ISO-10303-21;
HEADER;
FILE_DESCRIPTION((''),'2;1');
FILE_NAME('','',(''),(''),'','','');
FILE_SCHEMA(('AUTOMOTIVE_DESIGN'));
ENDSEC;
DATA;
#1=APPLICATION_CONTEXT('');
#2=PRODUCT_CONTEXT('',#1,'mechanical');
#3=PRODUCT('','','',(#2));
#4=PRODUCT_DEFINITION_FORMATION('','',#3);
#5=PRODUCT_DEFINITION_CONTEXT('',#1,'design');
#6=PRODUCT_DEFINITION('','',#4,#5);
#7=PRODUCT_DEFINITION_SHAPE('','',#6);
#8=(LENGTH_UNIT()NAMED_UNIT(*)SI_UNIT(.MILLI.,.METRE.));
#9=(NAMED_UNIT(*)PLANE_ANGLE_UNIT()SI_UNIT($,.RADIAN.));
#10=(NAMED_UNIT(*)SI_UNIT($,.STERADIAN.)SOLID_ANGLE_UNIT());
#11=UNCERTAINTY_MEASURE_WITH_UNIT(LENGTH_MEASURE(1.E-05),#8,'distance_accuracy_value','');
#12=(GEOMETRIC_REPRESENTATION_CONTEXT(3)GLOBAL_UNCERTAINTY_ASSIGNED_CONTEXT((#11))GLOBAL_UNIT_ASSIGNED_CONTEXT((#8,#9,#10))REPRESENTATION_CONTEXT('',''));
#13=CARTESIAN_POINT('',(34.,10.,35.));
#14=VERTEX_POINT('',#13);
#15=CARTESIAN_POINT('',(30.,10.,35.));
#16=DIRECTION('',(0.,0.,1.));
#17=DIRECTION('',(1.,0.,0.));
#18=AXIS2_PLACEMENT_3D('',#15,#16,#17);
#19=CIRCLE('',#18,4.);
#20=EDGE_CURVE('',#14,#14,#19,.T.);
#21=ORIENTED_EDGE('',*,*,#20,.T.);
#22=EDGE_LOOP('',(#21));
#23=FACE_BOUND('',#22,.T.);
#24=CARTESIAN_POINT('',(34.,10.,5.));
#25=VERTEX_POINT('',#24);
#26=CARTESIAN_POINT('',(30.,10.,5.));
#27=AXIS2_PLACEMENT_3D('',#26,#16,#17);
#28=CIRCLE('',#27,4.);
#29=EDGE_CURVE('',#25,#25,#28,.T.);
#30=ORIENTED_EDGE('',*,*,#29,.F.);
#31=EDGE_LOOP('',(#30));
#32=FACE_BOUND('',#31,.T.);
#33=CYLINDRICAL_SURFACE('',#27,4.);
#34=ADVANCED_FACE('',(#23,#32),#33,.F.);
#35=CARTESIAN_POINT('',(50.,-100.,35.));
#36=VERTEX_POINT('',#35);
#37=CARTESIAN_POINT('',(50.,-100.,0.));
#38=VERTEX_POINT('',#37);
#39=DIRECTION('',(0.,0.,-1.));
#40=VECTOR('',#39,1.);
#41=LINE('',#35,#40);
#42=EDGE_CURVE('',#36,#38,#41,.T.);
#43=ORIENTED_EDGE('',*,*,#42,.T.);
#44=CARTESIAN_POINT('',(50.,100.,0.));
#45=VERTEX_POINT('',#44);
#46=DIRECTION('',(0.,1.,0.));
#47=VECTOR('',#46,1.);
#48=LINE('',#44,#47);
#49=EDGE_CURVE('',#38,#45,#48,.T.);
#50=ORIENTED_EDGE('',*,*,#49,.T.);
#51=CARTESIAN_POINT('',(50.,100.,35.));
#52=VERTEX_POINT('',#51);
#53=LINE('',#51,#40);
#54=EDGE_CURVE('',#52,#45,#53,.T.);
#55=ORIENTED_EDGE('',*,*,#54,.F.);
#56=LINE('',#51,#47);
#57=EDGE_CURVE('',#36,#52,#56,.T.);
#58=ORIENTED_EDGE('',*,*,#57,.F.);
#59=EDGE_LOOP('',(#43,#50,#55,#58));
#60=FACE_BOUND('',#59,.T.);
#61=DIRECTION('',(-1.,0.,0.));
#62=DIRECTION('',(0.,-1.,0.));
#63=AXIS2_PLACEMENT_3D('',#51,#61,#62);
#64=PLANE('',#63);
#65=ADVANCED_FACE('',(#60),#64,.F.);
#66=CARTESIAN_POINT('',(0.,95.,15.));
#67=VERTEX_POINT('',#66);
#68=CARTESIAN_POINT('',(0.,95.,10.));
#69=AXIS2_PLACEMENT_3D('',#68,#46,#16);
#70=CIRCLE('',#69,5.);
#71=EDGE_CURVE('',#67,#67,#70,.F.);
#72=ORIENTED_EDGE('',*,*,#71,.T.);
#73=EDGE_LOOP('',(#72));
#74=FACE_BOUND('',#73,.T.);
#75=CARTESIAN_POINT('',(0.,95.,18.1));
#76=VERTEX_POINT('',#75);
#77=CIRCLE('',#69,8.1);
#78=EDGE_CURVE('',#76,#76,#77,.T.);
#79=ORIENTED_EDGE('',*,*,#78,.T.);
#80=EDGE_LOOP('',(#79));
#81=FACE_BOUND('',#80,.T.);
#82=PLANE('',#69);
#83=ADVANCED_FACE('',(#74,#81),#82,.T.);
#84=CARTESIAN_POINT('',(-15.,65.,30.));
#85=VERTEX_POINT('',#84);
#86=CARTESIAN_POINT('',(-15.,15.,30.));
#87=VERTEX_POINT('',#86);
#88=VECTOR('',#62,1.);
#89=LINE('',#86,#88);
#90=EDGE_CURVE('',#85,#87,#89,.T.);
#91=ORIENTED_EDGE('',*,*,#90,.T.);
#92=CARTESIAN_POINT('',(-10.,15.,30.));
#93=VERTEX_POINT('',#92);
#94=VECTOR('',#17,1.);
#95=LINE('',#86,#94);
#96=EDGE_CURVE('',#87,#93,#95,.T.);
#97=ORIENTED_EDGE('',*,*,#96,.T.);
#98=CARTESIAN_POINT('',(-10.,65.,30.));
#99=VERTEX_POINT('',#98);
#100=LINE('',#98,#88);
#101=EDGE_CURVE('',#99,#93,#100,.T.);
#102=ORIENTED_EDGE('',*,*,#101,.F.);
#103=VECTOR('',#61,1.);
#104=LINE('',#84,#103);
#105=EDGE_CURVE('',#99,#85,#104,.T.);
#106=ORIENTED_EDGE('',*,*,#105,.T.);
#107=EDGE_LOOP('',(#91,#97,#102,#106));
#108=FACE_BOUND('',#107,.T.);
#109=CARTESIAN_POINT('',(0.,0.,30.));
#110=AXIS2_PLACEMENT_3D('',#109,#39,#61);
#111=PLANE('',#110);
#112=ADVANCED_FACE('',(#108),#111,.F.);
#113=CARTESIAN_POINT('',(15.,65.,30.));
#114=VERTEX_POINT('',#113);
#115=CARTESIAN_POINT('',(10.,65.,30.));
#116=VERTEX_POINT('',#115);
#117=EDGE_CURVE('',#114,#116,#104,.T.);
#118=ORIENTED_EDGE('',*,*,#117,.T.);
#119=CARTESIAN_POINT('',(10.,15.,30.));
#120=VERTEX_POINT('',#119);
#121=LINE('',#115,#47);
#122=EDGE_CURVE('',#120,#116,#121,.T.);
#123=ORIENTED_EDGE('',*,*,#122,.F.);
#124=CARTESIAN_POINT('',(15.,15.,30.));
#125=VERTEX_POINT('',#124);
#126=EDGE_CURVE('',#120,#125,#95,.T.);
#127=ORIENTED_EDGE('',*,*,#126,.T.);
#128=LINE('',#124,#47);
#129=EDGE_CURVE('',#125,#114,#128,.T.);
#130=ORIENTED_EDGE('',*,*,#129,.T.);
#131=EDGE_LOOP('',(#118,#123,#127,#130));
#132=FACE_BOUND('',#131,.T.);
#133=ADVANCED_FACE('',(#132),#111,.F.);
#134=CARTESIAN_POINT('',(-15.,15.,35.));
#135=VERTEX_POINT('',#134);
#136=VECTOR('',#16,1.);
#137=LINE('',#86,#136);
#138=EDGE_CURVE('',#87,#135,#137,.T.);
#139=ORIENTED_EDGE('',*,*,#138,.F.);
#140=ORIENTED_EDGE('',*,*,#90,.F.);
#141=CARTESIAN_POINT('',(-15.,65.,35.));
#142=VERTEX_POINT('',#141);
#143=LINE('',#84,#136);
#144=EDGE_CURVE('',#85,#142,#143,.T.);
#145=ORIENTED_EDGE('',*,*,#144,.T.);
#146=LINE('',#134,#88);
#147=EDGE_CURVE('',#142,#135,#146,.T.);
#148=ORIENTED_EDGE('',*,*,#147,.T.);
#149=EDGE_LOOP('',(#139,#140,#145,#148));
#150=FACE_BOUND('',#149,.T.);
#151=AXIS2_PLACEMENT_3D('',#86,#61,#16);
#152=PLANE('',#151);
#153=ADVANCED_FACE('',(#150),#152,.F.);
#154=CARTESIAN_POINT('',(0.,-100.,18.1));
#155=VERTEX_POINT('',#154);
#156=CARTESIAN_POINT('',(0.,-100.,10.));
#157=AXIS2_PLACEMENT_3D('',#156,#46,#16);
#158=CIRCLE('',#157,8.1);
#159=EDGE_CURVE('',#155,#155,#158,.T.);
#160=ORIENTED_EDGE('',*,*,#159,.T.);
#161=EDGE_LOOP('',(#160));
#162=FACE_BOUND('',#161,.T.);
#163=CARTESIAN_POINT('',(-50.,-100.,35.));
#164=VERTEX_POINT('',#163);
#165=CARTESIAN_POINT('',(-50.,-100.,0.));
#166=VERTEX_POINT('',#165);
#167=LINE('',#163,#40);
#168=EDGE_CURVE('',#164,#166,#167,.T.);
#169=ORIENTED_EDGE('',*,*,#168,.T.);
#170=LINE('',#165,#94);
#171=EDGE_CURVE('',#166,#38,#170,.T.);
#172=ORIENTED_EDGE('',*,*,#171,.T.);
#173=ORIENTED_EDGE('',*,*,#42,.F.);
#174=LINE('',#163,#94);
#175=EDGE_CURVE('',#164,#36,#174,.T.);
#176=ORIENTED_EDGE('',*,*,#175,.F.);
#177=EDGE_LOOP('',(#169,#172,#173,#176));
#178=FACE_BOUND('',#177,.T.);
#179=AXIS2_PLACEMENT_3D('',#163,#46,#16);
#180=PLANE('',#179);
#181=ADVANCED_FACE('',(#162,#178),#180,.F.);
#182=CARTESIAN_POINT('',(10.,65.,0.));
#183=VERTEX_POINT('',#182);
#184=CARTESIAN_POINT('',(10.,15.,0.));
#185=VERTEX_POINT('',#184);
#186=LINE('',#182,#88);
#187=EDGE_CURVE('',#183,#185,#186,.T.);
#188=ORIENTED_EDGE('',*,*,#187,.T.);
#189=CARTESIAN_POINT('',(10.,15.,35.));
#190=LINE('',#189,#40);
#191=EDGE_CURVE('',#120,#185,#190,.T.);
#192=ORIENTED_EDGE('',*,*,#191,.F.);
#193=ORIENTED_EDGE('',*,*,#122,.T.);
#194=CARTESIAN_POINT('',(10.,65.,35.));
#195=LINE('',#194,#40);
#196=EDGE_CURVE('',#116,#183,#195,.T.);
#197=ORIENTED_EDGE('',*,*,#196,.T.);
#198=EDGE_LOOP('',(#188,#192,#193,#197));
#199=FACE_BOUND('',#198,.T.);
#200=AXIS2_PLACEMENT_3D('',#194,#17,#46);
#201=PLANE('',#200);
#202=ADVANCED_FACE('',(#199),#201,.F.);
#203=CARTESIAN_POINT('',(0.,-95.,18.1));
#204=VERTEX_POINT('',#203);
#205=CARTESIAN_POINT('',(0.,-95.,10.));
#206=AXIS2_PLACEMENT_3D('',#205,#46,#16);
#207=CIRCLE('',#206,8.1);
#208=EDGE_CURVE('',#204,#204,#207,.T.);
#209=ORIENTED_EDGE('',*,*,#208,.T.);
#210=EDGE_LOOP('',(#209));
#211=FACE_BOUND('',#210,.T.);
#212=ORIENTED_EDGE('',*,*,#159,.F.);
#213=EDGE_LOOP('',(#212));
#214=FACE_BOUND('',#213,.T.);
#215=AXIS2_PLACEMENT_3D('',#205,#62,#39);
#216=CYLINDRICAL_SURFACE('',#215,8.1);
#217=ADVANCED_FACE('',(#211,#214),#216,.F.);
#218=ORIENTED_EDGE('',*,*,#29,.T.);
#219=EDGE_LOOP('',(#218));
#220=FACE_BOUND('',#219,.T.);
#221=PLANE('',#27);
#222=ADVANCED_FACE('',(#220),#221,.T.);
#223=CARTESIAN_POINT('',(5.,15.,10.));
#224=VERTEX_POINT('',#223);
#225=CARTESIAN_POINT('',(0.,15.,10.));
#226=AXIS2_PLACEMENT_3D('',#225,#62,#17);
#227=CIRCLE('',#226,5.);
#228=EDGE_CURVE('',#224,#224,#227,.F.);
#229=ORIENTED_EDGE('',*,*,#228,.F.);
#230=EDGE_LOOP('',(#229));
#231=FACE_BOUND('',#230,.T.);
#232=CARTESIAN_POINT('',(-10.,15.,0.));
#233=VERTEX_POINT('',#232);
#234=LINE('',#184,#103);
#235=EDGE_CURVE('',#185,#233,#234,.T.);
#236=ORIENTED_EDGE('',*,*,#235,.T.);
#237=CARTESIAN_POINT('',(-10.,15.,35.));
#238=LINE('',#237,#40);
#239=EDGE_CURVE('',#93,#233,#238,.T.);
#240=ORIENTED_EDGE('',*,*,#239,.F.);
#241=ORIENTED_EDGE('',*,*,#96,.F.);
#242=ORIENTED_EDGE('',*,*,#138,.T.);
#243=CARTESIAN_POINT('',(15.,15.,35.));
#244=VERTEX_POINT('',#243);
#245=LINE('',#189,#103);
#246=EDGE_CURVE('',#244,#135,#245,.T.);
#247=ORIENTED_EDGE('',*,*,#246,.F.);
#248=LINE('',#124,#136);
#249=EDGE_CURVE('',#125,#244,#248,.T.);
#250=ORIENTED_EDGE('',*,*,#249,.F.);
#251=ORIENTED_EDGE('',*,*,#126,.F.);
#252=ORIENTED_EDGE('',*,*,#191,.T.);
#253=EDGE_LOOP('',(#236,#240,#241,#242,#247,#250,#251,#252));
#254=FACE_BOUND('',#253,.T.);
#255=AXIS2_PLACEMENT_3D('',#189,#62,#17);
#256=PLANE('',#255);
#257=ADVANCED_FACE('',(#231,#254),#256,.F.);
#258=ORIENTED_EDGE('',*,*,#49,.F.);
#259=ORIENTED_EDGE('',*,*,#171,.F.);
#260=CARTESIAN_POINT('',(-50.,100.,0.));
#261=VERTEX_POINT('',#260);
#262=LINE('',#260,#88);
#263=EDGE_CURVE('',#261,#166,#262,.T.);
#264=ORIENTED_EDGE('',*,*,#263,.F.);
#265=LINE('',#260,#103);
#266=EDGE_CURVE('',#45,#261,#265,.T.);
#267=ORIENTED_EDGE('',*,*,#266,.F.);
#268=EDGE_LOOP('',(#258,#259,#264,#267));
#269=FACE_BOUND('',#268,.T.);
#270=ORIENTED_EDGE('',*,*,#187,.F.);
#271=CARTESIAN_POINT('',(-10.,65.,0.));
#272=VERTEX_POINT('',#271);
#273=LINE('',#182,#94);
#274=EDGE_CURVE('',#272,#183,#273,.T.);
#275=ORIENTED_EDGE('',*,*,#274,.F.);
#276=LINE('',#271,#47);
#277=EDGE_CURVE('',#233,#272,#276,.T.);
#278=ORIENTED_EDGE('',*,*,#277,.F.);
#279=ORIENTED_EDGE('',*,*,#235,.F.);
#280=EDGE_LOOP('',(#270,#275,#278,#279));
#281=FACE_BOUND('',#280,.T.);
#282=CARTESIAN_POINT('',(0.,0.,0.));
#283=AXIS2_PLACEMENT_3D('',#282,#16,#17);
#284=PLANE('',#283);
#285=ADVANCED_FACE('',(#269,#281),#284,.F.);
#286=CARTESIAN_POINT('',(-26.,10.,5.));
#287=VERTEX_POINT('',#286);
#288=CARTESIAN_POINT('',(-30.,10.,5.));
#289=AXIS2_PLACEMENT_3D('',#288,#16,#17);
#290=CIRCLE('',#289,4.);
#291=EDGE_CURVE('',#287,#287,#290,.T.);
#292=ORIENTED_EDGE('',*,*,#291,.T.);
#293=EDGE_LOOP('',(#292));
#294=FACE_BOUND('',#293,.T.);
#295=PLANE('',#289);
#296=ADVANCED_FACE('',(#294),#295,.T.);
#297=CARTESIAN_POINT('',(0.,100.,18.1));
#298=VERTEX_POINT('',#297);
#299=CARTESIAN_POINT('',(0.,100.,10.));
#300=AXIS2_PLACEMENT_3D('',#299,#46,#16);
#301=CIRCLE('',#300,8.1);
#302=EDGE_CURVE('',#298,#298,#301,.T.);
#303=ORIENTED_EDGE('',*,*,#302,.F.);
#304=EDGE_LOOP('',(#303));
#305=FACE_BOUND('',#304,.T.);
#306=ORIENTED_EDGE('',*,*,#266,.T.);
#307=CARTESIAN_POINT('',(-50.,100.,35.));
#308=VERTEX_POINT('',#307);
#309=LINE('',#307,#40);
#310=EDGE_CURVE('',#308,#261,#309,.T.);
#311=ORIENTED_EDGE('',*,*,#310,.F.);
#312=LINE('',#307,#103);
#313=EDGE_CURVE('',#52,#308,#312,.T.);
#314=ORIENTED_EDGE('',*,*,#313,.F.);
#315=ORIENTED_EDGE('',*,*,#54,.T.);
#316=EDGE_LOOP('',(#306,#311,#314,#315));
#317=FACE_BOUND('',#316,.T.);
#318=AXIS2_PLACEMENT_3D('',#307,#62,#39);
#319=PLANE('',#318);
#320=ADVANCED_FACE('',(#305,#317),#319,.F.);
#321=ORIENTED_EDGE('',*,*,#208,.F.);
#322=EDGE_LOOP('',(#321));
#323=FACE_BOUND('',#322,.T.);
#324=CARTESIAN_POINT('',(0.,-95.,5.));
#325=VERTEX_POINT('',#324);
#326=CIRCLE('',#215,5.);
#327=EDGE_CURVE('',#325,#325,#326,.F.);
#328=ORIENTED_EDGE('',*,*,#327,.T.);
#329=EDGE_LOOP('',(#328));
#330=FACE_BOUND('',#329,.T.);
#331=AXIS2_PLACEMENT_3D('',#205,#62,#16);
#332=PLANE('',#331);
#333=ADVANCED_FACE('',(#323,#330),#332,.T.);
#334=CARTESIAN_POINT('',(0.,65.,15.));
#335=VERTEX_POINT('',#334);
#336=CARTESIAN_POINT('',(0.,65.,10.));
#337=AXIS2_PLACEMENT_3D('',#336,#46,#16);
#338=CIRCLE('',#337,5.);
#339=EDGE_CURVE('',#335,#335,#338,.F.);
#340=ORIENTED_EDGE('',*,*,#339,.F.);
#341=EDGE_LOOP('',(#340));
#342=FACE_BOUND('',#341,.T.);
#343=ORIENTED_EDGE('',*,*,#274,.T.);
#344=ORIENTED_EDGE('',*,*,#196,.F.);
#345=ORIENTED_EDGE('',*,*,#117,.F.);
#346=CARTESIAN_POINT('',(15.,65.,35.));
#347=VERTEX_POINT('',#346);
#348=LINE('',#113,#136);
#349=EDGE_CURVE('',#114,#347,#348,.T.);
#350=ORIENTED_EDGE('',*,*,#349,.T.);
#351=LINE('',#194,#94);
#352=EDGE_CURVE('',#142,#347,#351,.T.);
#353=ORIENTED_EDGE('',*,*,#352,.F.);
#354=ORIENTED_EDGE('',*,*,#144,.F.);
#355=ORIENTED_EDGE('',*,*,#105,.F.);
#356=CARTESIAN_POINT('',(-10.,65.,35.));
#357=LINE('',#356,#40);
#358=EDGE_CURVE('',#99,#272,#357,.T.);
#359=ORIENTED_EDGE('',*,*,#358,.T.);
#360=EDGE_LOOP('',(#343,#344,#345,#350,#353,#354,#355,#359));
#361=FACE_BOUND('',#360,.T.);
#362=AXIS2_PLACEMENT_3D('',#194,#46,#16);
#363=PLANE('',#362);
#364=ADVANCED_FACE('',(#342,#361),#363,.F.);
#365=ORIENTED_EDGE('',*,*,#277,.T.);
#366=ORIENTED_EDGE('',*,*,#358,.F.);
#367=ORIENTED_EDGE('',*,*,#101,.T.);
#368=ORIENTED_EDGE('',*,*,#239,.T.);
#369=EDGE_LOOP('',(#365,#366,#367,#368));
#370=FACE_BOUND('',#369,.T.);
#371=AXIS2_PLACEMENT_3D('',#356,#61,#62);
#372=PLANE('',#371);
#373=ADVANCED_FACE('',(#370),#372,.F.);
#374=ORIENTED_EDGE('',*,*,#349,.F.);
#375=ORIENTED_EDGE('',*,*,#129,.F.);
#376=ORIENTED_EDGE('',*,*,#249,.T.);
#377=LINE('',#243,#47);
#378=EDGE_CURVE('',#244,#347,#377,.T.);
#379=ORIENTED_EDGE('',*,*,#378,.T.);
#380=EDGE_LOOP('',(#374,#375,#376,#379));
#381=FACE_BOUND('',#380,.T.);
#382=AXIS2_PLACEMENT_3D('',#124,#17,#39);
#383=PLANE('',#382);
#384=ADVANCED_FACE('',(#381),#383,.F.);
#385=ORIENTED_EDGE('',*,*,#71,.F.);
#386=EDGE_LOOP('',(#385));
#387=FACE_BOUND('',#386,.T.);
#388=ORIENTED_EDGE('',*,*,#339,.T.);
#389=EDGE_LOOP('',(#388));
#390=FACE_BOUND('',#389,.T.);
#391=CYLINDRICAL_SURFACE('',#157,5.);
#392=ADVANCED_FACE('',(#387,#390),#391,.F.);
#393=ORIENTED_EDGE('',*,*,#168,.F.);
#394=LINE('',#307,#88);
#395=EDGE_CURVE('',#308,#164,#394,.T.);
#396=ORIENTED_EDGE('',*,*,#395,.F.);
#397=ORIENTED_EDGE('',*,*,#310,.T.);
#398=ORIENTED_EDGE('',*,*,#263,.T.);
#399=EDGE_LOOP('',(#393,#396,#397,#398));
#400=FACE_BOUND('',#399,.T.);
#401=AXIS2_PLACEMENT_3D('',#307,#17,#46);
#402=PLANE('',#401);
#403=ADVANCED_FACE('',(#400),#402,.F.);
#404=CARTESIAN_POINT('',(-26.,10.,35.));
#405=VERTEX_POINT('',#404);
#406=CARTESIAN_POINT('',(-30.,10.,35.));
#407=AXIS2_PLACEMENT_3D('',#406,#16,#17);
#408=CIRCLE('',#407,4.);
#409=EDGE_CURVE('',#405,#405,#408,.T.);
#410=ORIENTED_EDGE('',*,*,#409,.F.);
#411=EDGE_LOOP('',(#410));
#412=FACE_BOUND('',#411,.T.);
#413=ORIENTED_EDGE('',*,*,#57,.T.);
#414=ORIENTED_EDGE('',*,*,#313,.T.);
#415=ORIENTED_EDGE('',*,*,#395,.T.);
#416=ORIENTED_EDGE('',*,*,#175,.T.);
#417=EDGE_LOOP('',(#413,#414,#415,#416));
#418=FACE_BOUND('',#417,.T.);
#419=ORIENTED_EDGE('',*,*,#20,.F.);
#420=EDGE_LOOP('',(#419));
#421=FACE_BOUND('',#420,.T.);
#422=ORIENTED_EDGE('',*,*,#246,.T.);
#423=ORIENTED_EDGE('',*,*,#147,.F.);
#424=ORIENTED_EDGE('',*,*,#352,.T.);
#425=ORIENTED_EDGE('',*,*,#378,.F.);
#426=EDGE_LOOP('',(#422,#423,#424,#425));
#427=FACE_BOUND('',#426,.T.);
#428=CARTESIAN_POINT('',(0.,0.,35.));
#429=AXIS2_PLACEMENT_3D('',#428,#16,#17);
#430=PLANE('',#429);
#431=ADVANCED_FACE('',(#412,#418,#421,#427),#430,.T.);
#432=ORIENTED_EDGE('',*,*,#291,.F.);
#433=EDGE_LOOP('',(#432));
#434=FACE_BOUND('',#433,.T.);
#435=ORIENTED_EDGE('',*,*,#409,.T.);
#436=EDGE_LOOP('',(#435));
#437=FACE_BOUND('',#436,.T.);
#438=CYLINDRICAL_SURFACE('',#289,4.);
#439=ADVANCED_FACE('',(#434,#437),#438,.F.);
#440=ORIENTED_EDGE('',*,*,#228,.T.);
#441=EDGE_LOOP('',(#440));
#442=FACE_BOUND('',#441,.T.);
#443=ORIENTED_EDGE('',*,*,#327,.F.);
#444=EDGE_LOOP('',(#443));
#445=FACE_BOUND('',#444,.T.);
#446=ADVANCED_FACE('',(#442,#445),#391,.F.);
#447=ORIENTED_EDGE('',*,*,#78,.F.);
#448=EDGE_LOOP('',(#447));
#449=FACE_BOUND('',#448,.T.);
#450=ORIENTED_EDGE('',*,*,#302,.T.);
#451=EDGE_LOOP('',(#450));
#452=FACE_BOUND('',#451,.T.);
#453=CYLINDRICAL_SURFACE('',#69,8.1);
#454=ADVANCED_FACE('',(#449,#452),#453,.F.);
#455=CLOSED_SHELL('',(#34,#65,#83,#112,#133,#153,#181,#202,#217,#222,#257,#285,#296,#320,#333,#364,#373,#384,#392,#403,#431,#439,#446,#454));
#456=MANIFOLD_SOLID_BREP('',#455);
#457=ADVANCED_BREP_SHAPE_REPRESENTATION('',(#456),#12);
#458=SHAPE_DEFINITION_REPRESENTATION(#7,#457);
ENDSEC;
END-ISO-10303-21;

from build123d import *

# Parameters (mm, degrees)
SKETCH1_W           = 100
SKETCH1_H           = 200
BOSS_EXTRUDE1_DEPTH = 35
SKETCH2_R           = 4
CUT_EXTRUDE1_DEPTH  = 30
SKETCH3_R           = 5
CUT_EXTRUDE2_DEPTH  = 210.105236663
SKETCH4_W           = 20
SKETCH4_H           = 50
CUT_EXTRUDE3_DEPTH  = 118.153745139
SKETCH6_R           = 8.1
CUT_EXTRUDE4_DEPTH  = 5
SKETCH7_W           = 30
SKETCH7_H           = 50
CUT_EXTRUDE5_DEPTH  = 5


with BuildPart() as part:
    # Sketch1 → Boss-Extrude1 (new body)
    with BuildSketch(Plane.XY):
        Rectangle(SKETCH1_W, SKETCH1_H)
    extrude(amount=BOSS_EXTRUDE1_DEPTH)

    # Sketch2 → Cut-Extrude1 (cut)
    with BuildSketch(Plane.XY.offset(35)):
        with Locations((-30, 10)):
            Circle(SKETCH2_R)
        with Locations((30, 10)):
            Circle(SKETCH2_R)
    extrude(amount=-CUT_EXTRUDE1_DEPTH, mode=Mode.SUBTRACT)

    # Sketch3 → Cut-Extrude2 (cut, through all)
    with BuildSketch(Plane(origin=(0, 100, 0), x_dir=(1, 0, 0), z_dir=(0, 1, 0))):
        with Locations(Location((0, -10, 0), (0, 0, 270))):
            Circle(SKETCH3_R)
    extrude(amount=-CUT_EXTRUDE2_DEPTH, mode=Mode.SUBTRACT)

    # Sketch4 → Cut-Extrude3 (cut, through all)
    with BuildSketch(Plane(origin=(0, 0, 0), x_dir=(-1, 0, 0), z_dir=(0, 0, -1))):
        with Locations((0, 40)):
            Rectangle(SKETCH4_W, SKETCH4_H)
    extrude(amount=-CUT_EXTRUDE3_DEPTH, mode=Mode.SUBTRACT)

    # Sketch6 → Cut-Extrude4 (cut)
    with BuildSketch(Plane(origin=(0, 100, 0), x_dir=(1, 0, 0), z_dir=(0, 1, 0))):
        with Locations(Location((0, -10, 0), (0, 0, 270))):
            Circle(SKETCH6_R)
    cut_extrude4 = extrude(amount=-CUT_EXTRUDE4_DEPTH, mode=Mode.SUBTRACT)

    # Mirror1: Cut-Extrude4 across plane
    add(cut_extrude4.mirror(Plane.ZX), mode=Mode.SUBTRACT)

    # Sketch7 → Cut-Extrude5 (cut)
    with BuildSketch(Plane.XY.offset(35)):
        with Locations((0, 40)):
            Rectangle(SKETCH7_W, SKETCH7_H)
    extrude(amount=-CUT_EXTRUDE5_DEPTH, mode=Mode.SUBTRACT)


solid = part.part
